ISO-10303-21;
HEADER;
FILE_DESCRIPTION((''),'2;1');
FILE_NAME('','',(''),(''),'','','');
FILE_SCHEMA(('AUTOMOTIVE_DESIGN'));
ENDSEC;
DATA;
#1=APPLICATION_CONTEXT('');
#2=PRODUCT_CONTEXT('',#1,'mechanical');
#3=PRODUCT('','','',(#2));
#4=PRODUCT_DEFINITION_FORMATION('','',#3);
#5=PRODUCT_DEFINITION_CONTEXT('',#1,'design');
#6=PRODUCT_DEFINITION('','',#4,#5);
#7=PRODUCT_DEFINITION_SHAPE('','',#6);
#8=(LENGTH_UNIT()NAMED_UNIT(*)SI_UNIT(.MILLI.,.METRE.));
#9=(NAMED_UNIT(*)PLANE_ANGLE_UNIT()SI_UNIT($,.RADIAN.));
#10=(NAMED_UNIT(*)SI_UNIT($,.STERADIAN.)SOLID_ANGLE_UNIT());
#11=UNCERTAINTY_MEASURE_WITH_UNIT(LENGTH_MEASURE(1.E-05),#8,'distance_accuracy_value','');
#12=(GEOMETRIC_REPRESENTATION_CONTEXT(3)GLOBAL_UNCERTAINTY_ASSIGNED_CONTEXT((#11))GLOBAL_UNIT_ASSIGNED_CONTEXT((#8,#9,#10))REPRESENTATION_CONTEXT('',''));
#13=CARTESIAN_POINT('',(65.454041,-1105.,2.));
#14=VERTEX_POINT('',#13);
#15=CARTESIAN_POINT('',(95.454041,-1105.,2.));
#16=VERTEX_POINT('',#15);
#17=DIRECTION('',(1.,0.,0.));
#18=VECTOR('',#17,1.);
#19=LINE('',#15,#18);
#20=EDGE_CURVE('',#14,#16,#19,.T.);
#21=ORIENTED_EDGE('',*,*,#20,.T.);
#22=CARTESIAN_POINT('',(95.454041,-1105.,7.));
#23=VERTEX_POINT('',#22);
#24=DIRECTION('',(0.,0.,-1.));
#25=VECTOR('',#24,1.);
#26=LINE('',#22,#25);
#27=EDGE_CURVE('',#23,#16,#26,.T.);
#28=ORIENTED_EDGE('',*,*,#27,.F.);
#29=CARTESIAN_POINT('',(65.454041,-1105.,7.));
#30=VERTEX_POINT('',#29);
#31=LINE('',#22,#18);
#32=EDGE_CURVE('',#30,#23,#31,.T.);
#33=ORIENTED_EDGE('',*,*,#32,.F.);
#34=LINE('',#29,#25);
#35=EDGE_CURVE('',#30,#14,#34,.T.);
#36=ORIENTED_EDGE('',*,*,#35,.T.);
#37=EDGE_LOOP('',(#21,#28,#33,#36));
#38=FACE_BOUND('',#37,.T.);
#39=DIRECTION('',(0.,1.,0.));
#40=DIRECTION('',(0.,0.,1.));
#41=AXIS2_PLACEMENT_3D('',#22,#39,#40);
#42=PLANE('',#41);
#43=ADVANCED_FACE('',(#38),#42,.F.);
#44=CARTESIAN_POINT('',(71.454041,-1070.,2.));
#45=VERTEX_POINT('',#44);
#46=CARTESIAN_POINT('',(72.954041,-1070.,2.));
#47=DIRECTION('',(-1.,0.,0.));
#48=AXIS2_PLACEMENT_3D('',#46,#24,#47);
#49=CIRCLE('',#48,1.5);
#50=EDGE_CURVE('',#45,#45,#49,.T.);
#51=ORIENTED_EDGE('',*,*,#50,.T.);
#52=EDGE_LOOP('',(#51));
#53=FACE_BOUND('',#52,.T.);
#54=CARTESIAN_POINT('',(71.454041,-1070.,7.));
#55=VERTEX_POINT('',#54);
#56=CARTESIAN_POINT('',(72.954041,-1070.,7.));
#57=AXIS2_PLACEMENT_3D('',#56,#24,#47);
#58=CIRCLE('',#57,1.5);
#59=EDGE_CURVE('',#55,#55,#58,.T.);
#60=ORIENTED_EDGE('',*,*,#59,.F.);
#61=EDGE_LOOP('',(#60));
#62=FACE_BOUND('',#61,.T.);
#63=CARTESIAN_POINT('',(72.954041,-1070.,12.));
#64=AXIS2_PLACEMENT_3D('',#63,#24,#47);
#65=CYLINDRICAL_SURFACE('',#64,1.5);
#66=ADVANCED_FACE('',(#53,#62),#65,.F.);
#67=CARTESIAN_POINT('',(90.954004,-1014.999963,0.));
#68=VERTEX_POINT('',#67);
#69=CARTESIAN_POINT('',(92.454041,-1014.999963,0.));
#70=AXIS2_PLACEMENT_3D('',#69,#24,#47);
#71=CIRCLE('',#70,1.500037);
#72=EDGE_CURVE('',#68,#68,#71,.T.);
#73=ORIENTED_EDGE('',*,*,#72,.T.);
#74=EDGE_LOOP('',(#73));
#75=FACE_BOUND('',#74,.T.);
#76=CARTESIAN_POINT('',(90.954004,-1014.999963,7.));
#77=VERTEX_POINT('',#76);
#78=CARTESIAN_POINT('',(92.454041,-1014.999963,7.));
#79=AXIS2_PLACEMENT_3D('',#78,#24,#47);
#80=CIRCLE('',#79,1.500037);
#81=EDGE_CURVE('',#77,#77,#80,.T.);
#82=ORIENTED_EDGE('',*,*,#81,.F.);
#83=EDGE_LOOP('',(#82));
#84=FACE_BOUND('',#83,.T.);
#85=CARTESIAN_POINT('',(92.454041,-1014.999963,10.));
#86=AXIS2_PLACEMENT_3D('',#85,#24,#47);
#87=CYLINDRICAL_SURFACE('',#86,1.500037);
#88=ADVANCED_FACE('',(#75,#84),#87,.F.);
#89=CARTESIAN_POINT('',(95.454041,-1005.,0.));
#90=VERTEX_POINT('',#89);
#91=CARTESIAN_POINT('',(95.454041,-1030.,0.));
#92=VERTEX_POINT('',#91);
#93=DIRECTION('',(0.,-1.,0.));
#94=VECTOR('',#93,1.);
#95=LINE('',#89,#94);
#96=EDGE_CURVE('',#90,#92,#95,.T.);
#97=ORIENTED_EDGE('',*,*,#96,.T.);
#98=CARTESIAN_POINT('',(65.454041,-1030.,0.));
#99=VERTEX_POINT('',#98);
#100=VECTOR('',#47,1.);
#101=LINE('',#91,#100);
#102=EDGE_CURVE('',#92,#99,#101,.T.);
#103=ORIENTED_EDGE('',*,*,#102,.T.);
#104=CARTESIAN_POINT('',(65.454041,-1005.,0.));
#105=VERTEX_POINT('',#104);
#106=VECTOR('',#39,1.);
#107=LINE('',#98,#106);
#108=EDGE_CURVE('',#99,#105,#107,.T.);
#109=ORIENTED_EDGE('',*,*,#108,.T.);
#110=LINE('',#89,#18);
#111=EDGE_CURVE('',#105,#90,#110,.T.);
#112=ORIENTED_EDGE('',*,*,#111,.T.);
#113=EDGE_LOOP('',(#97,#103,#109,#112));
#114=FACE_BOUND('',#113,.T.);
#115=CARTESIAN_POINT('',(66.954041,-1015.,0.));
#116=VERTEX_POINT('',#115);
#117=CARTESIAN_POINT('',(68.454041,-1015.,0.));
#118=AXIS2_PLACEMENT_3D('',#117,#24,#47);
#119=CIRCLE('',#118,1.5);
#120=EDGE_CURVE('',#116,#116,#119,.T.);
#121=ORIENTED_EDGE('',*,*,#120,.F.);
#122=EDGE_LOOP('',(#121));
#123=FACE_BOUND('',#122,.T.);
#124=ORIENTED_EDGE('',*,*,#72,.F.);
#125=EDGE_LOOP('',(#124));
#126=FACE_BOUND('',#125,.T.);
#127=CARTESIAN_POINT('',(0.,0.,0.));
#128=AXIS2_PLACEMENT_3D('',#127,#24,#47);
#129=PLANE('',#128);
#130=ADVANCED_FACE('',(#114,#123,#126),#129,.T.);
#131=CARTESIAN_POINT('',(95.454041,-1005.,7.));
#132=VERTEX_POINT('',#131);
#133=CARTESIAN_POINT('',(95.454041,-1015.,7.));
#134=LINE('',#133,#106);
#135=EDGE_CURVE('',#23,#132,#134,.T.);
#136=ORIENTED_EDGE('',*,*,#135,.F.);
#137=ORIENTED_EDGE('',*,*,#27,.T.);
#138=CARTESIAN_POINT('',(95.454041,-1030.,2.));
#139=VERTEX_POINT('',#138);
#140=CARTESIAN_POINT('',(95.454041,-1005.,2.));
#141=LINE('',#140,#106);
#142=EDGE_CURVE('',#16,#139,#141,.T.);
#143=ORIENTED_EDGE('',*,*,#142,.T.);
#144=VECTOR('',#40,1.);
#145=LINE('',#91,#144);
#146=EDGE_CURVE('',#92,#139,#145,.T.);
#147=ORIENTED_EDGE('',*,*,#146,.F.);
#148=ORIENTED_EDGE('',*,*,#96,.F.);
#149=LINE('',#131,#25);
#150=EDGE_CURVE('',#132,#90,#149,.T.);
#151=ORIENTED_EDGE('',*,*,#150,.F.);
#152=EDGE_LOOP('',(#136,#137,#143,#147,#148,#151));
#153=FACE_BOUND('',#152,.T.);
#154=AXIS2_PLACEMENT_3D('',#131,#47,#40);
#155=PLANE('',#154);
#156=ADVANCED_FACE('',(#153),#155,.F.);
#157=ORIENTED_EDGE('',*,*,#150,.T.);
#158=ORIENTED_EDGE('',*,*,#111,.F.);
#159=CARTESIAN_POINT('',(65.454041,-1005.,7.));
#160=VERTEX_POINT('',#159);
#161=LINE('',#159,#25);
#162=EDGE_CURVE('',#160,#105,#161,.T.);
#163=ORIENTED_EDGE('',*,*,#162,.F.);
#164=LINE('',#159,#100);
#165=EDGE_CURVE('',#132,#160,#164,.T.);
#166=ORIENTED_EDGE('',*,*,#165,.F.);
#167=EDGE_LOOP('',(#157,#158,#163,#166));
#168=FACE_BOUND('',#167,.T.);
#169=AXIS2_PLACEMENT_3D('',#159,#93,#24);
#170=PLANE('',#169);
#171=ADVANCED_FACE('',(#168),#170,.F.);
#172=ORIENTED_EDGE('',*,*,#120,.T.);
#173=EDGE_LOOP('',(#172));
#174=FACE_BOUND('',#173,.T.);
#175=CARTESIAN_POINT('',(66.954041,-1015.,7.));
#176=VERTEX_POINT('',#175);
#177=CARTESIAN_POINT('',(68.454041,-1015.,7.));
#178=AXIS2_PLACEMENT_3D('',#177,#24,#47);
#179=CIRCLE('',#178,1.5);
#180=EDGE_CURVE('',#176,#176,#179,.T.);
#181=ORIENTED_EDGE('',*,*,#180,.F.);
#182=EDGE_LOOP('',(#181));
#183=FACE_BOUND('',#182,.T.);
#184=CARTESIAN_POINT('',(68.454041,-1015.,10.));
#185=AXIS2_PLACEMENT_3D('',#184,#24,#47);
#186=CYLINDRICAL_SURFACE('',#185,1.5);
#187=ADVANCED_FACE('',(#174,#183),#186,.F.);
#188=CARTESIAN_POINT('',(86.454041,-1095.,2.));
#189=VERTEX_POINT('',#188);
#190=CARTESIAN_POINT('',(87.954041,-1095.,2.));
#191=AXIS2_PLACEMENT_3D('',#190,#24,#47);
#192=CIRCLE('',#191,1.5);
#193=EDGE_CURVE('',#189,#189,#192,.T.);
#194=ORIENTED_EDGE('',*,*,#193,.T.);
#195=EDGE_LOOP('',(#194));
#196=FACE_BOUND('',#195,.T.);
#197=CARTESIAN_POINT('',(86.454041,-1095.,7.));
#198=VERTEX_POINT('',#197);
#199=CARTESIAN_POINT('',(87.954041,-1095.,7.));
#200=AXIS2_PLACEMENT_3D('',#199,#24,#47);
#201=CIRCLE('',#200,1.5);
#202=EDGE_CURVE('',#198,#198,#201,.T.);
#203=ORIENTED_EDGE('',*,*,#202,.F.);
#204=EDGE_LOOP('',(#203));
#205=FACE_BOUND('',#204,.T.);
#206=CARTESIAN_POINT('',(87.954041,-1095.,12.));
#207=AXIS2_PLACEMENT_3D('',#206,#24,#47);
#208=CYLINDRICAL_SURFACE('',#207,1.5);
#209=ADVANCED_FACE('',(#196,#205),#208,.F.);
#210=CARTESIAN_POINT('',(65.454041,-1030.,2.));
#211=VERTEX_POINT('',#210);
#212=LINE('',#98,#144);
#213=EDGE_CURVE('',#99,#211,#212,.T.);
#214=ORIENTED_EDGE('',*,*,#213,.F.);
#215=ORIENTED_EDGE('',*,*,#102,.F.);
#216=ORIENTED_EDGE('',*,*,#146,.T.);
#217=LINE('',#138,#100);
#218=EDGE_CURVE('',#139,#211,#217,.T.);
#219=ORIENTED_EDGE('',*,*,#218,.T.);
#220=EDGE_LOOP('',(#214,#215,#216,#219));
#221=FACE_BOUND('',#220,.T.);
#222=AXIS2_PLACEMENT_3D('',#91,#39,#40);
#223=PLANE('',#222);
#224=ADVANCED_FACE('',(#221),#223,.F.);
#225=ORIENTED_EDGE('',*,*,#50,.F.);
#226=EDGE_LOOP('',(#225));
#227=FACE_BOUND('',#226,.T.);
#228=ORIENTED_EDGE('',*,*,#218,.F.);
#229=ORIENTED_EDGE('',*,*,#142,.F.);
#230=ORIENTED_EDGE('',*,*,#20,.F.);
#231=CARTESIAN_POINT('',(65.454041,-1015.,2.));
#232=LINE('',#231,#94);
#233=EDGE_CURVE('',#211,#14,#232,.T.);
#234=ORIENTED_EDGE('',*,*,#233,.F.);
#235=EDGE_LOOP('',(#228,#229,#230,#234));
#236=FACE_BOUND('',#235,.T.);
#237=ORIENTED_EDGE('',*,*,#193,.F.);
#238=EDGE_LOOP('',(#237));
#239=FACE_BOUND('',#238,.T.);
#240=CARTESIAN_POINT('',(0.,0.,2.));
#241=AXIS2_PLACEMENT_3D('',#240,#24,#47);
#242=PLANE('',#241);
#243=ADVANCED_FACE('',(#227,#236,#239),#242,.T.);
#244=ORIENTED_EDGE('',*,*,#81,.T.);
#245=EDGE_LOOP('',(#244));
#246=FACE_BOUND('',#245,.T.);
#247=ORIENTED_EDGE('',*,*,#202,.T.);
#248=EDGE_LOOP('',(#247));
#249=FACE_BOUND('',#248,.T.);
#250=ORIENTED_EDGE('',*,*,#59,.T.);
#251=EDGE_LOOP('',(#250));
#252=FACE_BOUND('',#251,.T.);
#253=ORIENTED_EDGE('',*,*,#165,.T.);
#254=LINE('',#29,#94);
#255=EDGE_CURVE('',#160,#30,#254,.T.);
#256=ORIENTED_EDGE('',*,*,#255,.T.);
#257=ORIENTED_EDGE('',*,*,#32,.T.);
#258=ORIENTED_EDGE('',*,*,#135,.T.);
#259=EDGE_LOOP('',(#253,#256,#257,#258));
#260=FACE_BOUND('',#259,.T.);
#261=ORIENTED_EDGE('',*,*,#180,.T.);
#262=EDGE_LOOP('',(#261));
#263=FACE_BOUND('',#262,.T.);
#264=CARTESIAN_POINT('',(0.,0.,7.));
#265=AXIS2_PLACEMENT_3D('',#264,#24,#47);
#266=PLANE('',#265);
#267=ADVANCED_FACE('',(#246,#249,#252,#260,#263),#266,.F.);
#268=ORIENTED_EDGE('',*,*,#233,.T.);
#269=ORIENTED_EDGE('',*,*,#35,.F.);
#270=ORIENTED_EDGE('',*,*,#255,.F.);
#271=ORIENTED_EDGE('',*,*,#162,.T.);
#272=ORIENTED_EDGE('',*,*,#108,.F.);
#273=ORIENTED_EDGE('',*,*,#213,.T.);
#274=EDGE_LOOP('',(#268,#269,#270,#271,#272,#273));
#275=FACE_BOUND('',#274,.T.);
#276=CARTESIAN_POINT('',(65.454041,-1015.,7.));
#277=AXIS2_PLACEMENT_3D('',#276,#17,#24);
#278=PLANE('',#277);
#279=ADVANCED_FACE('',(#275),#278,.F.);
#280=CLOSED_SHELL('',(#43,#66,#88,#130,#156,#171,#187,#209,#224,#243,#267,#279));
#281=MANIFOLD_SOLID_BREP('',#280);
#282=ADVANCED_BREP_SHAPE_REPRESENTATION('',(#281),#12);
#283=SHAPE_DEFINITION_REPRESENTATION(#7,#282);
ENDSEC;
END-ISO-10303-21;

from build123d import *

# Parameters (mm, degrees)
SALIENTE_EXTRUIR1_START = 2
SALIENTE_EXTRUIR1_DEPTH = 5
CROQUIS2_W              = 30
CROQUIS2_H              = 25
SALIENTE_EXTRUIR2_DEPTH = 2
CROQUIS3_R              = 1.5
CORTAR_EXTRUIR1_DEPTH   = 10
CROQUIS4_R              = 1.500036904
CROQUIS4_R_2            = 1.5
CORTAR_EXTRUIR2_DEPTH   = 10


with BuildPart() as part:
    # Croquis1 → Saliente-Extruir1 (new body)
    with BuildSketch(Plane.XY.offset(SALIENTE_EXTRUIR1_START)):
        Polygon((65.454041039, -1015), (65.454041039, -1005), (95.454041039, -1005), (95.454041039, -1015), (95.454041039, -1105), (65.454041039, -1105), align=None)
    extrude(amount=SALIENTE_EXTRUIR1_DEPTH)

    # Croquis2 → Saliente-Extruir2 (add)
    with BuildSketch(Plane(origin=(0, 0, 2), x_dir=(-1, 0, 0), z_dir=(0, 0, -1))):
        with Locations((-80.454041039, -1017.5)):
            Rectangle(CROQUIS2_W, CROQUIS2_H)
    extrude(amount=SALIENTE_EXTRUIR2_DEPTH)

    # Croquis3 → Cortar-Extruir1 (cut)
    with BuildSketch(Plane(origin=(0, 0, 2), x_dir=(-1, 0, 0), z_dir=(0, 0, -1))):
        with Locations((-72.954041039, -1070)):
            Circle(CROQUIS3_R)
        with Locations((-87.954041039, -1095)):
            Circle(CROQUIS3_R)
    extrude(amount=-CORTAR_EXTRUIR1_DEPTH, mode=Mode.SUBTRACT)

    # Croquis4 → Cortar-Extruir2 (cut)
    with BuildSketch(Plane(origin=(0, 0, 0), x_dir=(-1, 0, 0), z_dir=(0, 0, -1))):
        with Locations((-92.454041038, -1014.999963096)):
            Circle(CROQUIS4_R)
        with Locations((-68.454041039, -1015)):
            Circle(CROQUIS4_R_2)
    extrude(amount=-CORTAR_EXTRUIR2_DEPTH, mode=Mode.SUBTRACT)


solid = part.part
